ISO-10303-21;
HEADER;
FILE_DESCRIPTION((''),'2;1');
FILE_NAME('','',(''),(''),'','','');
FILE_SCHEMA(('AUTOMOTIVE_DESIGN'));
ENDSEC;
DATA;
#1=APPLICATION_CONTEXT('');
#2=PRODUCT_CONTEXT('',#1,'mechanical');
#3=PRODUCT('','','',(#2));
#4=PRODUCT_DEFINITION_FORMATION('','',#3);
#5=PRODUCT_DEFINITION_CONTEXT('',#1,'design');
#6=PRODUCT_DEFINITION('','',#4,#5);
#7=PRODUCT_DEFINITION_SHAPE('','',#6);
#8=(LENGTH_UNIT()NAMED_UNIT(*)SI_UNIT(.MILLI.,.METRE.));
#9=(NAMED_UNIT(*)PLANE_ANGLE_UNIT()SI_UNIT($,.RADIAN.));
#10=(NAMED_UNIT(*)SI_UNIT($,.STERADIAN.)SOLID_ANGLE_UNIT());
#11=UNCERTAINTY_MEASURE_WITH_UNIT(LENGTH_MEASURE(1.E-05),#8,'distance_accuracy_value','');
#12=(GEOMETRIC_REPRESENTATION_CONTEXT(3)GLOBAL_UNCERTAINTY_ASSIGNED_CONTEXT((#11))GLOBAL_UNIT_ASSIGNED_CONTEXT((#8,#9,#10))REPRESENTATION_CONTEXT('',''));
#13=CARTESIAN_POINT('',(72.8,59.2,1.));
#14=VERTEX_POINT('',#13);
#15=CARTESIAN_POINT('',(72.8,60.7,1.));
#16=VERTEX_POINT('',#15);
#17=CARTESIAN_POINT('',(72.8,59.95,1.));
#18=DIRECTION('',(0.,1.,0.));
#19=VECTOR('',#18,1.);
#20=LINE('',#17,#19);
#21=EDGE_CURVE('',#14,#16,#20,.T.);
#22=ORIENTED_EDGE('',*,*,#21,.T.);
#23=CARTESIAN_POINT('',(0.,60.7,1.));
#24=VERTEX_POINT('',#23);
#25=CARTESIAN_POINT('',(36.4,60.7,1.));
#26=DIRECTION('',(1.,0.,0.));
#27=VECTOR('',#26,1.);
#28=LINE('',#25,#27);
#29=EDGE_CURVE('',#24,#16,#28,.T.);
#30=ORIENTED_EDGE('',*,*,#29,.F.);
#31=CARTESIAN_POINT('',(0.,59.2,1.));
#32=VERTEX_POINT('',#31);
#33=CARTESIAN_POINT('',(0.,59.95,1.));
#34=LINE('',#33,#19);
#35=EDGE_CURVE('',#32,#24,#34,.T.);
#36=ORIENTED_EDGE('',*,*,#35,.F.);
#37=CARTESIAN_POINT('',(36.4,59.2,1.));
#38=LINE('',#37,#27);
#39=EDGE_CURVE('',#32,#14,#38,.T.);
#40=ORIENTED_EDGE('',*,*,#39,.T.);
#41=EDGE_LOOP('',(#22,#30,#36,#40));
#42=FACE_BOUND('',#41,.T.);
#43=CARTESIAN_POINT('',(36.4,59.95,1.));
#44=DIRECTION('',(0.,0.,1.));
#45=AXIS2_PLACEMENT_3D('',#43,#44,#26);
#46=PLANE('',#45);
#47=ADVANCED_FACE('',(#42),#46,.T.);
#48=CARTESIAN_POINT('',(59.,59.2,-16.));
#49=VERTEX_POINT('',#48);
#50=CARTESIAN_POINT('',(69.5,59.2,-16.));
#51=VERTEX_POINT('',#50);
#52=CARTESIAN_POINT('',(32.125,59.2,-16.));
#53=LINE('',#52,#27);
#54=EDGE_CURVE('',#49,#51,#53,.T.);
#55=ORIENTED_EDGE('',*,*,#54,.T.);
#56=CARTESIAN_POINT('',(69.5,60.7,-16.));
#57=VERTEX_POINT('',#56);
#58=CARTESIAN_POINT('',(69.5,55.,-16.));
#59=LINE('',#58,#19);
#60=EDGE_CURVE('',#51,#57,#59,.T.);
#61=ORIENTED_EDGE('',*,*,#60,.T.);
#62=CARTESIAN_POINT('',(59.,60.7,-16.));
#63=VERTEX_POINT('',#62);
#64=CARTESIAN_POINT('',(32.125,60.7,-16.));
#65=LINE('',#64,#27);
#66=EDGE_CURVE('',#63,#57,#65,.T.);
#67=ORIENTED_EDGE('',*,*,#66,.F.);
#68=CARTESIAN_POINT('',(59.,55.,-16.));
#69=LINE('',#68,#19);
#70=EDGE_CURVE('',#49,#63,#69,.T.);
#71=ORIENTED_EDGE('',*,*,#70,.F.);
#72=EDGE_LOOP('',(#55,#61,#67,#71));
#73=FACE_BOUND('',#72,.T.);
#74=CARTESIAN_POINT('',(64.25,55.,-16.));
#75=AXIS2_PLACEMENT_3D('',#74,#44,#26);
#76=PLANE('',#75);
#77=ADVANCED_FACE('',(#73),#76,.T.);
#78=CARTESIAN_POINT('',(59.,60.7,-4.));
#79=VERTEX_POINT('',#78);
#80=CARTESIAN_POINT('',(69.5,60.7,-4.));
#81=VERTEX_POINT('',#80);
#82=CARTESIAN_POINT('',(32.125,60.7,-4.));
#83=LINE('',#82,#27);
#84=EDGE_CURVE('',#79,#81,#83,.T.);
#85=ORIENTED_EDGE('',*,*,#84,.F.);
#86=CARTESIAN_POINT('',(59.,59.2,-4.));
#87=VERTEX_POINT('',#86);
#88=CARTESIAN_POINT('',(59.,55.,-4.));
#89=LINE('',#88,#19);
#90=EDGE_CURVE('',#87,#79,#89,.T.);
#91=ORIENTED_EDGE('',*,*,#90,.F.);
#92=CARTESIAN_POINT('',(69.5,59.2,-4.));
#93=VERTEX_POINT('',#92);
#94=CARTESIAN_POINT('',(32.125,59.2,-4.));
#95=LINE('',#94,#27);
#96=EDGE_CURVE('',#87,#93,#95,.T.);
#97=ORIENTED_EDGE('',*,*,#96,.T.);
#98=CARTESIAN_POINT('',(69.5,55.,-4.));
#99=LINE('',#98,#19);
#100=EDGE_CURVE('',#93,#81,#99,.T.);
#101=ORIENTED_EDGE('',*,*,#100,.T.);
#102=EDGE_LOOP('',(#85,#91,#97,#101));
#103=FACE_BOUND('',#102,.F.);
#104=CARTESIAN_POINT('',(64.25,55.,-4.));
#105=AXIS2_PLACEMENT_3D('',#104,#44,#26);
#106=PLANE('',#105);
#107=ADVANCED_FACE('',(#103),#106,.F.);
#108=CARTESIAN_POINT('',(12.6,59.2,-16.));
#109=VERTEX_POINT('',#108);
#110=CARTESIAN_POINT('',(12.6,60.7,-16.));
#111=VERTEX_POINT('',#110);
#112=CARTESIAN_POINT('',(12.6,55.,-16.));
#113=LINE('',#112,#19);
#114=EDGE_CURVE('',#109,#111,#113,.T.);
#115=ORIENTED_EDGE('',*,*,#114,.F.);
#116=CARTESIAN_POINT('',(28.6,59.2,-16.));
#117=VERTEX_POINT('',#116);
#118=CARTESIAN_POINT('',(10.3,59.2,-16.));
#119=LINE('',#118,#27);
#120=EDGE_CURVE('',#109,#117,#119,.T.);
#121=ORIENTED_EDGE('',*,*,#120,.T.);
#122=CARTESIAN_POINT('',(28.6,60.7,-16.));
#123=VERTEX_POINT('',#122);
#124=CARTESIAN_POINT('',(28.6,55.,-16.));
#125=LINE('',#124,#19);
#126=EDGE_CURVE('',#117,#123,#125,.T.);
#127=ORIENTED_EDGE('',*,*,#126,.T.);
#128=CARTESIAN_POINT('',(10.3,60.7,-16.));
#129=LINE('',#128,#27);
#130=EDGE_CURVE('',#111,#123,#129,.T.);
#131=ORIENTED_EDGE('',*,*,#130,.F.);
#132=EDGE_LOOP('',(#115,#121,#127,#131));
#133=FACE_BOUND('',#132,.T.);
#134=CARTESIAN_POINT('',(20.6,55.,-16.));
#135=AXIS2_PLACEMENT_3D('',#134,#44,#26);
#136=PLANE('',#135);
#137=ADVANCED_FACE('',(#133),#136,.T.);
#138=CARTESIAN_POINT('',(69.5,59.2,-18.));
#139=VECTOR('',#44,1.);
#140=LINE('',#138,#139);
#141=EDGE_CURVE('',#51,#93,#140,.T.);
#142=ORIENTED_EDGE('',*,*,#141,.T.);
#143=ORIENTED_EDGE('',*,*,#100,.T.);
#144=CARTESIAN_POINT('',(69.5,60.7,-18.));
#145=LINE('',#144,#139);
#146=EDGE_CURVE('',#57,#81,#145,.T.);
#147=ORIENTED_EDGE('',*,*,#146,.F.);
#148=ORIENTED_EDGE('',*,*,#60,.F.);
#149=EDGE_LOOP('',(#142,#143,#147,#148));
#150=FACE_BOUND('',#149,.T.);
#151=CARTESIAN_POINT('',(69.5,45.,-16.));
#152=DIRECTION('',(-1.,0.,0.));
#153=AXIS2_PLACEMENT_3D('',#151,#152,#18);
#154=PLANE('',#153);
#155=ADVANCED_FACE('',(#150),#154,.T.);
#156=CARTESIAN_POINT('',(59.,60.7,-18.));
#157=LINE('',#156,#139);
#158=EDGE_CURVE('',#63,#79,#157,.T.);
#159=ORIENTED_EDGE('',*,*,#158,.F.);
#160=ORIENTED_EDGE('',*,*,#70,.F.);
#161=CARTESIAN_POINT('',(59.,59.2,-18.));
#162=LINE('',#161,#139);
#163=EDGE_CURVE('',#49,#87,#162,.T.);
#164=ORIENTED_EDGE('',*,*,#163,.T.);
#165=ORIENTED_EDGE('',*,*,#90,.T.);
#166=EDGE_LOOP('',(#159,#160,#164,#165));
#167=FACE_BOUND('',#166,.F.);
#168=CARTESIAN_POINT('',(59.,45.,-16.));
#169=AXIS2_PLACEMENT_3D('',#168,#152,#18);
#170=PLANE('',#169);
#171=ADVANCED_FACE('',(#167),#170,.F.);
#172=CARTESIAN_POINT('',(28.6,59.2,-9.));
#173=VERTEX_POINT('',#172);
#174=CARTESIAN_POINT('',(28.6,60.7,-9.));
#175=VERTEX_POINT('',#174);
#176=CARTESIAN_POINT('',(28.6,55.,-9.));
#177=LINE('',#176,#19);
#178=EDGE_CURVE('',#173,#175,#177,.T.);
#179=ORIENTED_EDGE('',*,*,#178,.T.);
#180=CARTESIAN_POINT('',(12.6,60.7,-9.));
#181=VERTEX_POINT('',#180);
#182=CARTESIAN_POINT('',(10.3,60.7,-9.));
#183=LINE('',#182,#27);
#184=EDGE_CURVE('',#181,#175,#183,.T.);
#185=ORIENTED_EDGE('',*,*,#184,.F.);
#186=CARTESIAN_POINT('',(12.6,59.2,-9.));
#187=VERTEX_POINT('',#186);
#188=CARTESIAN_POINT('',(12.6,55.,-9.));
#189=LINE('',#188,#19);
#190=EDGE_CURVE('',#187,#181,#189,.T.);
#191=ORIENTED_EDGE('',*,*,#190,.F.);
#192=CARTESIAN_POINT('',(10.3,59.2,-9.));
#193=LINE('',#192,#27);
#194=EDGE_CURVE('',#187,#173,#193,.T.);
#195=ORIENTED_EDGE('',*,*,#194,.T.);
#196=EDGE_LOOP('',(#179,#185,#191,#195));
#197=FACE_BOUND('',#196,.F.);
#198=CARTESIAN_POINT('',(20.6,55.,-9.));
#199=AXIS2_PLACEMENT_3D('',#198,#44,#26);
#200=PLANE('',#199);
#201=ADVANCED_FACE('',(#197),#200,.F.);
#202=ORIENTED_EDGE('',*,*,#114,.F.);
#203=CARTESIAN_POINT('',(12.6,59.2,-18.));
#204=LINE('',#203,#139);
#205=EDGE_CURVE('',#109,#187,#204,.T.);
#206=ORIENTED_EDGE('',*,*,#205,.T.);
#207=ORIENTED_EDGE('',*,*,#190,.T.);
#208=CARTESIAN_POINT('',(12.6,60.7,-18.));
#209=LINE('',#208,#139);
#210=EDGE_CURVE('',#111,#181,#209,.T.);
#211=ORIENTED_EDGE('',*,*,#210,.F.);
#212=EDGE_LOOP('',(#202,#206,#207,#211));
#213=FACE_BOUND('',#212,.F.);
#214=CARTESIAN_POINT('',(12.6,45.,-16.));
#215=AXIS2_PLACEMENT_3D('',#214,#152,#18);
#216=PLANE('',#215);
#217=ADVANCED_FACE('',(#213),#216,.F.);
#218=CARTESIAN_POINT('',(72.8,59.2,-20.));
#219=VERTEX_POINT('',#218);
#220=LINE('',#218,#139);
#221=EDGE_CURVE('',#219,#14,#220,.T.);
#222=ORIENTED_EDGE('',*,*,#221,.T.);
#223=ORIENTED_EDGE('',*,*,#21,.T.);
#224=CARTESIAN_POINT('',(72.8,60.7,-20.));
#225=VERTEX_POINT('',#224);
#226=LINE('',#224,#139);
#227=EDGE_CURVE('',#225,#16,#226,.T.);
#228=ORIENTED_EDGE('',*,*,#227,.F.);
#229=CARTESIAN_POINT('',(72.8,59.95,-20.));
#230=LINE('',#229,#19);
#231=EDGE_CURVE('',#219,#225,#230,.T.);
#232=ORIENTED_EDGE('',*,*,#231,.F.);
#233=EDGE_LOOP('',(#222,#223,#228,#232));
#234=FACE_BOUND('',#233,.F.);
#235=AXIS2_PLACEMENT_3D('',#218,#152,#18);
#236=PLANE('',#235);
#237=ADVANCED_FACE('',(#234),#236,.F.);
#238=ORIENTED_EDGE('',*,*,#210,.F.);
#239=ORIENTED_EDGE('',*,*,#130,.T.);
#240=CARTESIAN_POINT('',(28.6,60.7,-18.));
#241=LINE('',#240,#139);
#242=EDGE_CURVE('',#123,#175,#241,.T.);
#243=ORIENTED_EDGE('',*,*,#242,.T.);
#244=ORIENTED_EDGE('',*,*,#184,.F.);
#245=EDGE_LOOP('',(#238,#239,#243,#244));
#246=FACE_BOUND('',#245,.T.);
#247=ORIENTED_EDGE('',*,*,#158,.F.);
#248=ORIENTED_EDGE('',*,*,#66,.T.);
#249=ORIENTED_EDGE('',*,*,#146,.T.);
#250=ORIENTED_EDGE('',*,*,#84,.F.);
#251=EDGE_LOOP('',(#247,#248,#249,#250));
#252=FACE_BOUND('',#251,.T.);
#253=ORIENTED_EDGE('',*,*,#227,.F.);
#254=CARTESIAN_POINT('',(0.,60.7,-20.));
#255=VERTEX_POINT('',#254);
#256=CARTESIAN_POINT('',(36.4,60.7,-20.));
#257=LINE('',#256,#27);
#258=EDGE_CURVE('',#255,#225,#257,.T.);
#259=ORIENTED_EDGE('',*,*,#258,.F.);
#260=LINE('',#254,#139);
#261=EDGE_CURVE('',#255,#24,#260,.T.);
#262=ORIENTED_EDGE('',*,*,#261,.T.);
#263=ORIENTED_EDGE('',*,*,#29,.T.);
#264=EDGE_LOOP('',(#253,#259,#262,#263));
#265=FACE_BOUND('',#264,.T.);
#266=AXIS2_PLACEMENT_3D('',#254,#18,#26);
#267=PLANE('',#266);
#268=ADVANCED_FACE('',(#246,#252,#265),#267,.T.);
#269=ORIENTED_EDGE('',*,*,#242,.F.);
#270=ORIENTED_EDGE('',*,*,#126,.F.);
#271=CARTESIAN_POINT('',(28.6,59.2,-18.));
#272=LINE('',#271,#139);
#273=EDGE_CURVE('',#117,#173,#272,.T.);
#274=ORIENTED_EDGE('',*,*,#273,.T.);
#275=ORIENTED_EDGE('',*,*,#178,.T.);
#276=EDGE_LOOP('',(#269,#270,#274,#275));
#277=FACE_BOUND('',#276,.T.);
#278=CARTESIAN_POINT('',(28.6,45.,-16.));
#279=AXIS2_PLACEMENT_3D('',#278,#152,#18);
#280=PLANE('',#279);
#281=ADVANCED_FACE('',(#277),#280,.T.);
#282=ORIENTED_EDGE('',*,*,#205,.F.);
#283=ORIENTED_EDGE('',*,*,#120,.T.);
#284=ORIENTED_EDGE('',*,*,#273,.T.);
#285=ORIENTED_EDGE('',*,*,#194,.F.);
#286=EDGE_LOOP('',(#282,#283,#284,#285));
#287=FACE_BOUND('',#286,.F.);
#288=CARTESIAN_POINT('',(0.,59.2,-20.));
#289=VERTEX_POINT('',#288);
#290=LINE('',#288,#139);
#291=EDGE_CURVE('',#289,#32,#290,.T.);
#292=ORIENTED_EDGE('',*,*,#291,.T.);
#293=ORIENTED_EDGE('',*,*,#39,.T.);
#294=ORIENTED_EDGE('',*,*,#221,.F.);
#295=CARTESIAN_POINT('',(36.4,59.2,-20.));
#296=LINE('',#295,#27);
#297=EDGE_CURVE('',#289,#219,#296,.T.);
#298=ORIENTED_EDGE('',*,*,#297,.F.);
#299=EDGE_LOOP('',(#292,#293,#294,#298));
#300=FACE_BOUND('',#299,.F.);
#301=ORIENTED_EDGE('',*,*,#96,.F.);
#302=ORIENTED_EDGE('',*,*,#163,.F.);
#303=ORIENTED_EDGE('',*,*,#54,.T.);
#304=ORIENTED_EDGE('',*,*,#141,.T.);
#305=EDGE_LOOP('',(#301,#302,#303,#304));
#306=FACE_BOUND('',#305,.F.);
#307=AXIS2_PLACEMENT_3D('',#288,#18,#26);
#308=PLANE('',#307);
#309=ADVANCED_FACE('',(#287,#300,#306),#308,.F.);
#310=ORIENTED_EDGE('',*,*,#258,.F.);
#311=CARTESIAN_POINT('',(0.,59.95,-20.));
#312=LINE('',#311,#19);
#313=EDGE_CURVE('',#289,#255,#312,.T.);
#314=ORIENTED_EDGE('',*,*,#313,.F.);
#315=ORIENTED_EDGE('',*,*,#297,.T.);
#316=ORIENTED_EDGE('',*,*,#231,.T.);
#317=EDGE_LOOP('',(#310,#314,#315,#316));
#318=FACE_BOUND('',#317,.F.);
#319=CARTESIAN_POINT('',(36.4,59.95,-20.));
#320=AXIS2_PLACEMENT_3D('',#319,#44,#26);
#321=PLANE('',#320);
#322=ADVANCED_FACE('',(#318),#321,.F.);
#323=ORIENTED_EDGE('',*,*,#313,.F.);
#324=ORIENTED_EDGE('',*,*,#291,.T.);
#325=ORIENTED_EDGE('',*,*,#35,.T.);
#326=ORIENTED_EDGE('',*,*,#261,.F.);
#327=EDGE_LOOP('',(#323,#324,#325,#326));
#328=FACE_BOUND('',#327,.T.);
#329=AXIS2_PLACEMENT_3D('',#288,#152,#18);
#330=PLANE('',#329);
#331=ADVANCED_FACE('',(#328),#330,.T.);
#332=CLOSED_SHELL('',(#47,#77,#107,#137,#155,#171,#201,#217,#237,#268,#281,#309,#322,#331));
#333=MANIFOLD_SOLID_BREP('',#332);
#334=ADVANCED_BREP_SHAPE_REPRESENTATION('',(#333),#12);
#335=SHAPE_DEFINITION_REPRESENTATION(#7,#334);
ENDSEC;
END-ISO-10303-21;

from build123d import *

# Parameters (mm, degrees)
BOX041_W     = 16
BOX041_H     = 20
BOX041_DEPTH = 7
BOX040_W     = 10.5
BOX040_H     = 20
BOX040_DEPTH = 12
BOX038_W     = 72.8
BOX038_H     = 1.5
BOX038_DEPTH = 21


with BuildPart() as hdmi_hole:
    # Box041 → Box041 (new body)
    with BuildSketch(Plane(origin=(12.6, 45, -16), x_dir=(1, 0, 0), z_dir=(0, 0, 1))):
        with Locations((8, 10)):
            Rectangle(BOX041_W, BOX041_H)
    extrude(amount=BOX041_DEPTH)


with BuildPart() as fusion011:
    # Box040 → Box040 (new body)
    with BuildSketch(Plane(origin=(59, 45, -16), x_dir=(1, 0, 0), z_dir=(0, 0, 1))):
        with Locations((5.25, 10)):
            Rectangle(BOX040_W, BOX040_H)
    extrude(amount=BOX040_DEPTH)

    # Fusion011: union hdmi hole
    add(hdmi_hole.part)


with BuildPart() as cut005:
    # Box038 → Box038 (new body)
    with BuildSketch(Plane(origin=(0, 59.2, -20), x_dir=(1, 0, 0), z_dir=(0, 0, 1))):
        with Locations((36.4, 0.75)):
            Rectangle(BOX038_W, BOX038_H)
    extrude(amount=BOX038_DEPTH)

    # Cut005: cut Fusion011
    add(fusion011.part, mode=Mode.SUBTRACT)


solid = cut005.part
